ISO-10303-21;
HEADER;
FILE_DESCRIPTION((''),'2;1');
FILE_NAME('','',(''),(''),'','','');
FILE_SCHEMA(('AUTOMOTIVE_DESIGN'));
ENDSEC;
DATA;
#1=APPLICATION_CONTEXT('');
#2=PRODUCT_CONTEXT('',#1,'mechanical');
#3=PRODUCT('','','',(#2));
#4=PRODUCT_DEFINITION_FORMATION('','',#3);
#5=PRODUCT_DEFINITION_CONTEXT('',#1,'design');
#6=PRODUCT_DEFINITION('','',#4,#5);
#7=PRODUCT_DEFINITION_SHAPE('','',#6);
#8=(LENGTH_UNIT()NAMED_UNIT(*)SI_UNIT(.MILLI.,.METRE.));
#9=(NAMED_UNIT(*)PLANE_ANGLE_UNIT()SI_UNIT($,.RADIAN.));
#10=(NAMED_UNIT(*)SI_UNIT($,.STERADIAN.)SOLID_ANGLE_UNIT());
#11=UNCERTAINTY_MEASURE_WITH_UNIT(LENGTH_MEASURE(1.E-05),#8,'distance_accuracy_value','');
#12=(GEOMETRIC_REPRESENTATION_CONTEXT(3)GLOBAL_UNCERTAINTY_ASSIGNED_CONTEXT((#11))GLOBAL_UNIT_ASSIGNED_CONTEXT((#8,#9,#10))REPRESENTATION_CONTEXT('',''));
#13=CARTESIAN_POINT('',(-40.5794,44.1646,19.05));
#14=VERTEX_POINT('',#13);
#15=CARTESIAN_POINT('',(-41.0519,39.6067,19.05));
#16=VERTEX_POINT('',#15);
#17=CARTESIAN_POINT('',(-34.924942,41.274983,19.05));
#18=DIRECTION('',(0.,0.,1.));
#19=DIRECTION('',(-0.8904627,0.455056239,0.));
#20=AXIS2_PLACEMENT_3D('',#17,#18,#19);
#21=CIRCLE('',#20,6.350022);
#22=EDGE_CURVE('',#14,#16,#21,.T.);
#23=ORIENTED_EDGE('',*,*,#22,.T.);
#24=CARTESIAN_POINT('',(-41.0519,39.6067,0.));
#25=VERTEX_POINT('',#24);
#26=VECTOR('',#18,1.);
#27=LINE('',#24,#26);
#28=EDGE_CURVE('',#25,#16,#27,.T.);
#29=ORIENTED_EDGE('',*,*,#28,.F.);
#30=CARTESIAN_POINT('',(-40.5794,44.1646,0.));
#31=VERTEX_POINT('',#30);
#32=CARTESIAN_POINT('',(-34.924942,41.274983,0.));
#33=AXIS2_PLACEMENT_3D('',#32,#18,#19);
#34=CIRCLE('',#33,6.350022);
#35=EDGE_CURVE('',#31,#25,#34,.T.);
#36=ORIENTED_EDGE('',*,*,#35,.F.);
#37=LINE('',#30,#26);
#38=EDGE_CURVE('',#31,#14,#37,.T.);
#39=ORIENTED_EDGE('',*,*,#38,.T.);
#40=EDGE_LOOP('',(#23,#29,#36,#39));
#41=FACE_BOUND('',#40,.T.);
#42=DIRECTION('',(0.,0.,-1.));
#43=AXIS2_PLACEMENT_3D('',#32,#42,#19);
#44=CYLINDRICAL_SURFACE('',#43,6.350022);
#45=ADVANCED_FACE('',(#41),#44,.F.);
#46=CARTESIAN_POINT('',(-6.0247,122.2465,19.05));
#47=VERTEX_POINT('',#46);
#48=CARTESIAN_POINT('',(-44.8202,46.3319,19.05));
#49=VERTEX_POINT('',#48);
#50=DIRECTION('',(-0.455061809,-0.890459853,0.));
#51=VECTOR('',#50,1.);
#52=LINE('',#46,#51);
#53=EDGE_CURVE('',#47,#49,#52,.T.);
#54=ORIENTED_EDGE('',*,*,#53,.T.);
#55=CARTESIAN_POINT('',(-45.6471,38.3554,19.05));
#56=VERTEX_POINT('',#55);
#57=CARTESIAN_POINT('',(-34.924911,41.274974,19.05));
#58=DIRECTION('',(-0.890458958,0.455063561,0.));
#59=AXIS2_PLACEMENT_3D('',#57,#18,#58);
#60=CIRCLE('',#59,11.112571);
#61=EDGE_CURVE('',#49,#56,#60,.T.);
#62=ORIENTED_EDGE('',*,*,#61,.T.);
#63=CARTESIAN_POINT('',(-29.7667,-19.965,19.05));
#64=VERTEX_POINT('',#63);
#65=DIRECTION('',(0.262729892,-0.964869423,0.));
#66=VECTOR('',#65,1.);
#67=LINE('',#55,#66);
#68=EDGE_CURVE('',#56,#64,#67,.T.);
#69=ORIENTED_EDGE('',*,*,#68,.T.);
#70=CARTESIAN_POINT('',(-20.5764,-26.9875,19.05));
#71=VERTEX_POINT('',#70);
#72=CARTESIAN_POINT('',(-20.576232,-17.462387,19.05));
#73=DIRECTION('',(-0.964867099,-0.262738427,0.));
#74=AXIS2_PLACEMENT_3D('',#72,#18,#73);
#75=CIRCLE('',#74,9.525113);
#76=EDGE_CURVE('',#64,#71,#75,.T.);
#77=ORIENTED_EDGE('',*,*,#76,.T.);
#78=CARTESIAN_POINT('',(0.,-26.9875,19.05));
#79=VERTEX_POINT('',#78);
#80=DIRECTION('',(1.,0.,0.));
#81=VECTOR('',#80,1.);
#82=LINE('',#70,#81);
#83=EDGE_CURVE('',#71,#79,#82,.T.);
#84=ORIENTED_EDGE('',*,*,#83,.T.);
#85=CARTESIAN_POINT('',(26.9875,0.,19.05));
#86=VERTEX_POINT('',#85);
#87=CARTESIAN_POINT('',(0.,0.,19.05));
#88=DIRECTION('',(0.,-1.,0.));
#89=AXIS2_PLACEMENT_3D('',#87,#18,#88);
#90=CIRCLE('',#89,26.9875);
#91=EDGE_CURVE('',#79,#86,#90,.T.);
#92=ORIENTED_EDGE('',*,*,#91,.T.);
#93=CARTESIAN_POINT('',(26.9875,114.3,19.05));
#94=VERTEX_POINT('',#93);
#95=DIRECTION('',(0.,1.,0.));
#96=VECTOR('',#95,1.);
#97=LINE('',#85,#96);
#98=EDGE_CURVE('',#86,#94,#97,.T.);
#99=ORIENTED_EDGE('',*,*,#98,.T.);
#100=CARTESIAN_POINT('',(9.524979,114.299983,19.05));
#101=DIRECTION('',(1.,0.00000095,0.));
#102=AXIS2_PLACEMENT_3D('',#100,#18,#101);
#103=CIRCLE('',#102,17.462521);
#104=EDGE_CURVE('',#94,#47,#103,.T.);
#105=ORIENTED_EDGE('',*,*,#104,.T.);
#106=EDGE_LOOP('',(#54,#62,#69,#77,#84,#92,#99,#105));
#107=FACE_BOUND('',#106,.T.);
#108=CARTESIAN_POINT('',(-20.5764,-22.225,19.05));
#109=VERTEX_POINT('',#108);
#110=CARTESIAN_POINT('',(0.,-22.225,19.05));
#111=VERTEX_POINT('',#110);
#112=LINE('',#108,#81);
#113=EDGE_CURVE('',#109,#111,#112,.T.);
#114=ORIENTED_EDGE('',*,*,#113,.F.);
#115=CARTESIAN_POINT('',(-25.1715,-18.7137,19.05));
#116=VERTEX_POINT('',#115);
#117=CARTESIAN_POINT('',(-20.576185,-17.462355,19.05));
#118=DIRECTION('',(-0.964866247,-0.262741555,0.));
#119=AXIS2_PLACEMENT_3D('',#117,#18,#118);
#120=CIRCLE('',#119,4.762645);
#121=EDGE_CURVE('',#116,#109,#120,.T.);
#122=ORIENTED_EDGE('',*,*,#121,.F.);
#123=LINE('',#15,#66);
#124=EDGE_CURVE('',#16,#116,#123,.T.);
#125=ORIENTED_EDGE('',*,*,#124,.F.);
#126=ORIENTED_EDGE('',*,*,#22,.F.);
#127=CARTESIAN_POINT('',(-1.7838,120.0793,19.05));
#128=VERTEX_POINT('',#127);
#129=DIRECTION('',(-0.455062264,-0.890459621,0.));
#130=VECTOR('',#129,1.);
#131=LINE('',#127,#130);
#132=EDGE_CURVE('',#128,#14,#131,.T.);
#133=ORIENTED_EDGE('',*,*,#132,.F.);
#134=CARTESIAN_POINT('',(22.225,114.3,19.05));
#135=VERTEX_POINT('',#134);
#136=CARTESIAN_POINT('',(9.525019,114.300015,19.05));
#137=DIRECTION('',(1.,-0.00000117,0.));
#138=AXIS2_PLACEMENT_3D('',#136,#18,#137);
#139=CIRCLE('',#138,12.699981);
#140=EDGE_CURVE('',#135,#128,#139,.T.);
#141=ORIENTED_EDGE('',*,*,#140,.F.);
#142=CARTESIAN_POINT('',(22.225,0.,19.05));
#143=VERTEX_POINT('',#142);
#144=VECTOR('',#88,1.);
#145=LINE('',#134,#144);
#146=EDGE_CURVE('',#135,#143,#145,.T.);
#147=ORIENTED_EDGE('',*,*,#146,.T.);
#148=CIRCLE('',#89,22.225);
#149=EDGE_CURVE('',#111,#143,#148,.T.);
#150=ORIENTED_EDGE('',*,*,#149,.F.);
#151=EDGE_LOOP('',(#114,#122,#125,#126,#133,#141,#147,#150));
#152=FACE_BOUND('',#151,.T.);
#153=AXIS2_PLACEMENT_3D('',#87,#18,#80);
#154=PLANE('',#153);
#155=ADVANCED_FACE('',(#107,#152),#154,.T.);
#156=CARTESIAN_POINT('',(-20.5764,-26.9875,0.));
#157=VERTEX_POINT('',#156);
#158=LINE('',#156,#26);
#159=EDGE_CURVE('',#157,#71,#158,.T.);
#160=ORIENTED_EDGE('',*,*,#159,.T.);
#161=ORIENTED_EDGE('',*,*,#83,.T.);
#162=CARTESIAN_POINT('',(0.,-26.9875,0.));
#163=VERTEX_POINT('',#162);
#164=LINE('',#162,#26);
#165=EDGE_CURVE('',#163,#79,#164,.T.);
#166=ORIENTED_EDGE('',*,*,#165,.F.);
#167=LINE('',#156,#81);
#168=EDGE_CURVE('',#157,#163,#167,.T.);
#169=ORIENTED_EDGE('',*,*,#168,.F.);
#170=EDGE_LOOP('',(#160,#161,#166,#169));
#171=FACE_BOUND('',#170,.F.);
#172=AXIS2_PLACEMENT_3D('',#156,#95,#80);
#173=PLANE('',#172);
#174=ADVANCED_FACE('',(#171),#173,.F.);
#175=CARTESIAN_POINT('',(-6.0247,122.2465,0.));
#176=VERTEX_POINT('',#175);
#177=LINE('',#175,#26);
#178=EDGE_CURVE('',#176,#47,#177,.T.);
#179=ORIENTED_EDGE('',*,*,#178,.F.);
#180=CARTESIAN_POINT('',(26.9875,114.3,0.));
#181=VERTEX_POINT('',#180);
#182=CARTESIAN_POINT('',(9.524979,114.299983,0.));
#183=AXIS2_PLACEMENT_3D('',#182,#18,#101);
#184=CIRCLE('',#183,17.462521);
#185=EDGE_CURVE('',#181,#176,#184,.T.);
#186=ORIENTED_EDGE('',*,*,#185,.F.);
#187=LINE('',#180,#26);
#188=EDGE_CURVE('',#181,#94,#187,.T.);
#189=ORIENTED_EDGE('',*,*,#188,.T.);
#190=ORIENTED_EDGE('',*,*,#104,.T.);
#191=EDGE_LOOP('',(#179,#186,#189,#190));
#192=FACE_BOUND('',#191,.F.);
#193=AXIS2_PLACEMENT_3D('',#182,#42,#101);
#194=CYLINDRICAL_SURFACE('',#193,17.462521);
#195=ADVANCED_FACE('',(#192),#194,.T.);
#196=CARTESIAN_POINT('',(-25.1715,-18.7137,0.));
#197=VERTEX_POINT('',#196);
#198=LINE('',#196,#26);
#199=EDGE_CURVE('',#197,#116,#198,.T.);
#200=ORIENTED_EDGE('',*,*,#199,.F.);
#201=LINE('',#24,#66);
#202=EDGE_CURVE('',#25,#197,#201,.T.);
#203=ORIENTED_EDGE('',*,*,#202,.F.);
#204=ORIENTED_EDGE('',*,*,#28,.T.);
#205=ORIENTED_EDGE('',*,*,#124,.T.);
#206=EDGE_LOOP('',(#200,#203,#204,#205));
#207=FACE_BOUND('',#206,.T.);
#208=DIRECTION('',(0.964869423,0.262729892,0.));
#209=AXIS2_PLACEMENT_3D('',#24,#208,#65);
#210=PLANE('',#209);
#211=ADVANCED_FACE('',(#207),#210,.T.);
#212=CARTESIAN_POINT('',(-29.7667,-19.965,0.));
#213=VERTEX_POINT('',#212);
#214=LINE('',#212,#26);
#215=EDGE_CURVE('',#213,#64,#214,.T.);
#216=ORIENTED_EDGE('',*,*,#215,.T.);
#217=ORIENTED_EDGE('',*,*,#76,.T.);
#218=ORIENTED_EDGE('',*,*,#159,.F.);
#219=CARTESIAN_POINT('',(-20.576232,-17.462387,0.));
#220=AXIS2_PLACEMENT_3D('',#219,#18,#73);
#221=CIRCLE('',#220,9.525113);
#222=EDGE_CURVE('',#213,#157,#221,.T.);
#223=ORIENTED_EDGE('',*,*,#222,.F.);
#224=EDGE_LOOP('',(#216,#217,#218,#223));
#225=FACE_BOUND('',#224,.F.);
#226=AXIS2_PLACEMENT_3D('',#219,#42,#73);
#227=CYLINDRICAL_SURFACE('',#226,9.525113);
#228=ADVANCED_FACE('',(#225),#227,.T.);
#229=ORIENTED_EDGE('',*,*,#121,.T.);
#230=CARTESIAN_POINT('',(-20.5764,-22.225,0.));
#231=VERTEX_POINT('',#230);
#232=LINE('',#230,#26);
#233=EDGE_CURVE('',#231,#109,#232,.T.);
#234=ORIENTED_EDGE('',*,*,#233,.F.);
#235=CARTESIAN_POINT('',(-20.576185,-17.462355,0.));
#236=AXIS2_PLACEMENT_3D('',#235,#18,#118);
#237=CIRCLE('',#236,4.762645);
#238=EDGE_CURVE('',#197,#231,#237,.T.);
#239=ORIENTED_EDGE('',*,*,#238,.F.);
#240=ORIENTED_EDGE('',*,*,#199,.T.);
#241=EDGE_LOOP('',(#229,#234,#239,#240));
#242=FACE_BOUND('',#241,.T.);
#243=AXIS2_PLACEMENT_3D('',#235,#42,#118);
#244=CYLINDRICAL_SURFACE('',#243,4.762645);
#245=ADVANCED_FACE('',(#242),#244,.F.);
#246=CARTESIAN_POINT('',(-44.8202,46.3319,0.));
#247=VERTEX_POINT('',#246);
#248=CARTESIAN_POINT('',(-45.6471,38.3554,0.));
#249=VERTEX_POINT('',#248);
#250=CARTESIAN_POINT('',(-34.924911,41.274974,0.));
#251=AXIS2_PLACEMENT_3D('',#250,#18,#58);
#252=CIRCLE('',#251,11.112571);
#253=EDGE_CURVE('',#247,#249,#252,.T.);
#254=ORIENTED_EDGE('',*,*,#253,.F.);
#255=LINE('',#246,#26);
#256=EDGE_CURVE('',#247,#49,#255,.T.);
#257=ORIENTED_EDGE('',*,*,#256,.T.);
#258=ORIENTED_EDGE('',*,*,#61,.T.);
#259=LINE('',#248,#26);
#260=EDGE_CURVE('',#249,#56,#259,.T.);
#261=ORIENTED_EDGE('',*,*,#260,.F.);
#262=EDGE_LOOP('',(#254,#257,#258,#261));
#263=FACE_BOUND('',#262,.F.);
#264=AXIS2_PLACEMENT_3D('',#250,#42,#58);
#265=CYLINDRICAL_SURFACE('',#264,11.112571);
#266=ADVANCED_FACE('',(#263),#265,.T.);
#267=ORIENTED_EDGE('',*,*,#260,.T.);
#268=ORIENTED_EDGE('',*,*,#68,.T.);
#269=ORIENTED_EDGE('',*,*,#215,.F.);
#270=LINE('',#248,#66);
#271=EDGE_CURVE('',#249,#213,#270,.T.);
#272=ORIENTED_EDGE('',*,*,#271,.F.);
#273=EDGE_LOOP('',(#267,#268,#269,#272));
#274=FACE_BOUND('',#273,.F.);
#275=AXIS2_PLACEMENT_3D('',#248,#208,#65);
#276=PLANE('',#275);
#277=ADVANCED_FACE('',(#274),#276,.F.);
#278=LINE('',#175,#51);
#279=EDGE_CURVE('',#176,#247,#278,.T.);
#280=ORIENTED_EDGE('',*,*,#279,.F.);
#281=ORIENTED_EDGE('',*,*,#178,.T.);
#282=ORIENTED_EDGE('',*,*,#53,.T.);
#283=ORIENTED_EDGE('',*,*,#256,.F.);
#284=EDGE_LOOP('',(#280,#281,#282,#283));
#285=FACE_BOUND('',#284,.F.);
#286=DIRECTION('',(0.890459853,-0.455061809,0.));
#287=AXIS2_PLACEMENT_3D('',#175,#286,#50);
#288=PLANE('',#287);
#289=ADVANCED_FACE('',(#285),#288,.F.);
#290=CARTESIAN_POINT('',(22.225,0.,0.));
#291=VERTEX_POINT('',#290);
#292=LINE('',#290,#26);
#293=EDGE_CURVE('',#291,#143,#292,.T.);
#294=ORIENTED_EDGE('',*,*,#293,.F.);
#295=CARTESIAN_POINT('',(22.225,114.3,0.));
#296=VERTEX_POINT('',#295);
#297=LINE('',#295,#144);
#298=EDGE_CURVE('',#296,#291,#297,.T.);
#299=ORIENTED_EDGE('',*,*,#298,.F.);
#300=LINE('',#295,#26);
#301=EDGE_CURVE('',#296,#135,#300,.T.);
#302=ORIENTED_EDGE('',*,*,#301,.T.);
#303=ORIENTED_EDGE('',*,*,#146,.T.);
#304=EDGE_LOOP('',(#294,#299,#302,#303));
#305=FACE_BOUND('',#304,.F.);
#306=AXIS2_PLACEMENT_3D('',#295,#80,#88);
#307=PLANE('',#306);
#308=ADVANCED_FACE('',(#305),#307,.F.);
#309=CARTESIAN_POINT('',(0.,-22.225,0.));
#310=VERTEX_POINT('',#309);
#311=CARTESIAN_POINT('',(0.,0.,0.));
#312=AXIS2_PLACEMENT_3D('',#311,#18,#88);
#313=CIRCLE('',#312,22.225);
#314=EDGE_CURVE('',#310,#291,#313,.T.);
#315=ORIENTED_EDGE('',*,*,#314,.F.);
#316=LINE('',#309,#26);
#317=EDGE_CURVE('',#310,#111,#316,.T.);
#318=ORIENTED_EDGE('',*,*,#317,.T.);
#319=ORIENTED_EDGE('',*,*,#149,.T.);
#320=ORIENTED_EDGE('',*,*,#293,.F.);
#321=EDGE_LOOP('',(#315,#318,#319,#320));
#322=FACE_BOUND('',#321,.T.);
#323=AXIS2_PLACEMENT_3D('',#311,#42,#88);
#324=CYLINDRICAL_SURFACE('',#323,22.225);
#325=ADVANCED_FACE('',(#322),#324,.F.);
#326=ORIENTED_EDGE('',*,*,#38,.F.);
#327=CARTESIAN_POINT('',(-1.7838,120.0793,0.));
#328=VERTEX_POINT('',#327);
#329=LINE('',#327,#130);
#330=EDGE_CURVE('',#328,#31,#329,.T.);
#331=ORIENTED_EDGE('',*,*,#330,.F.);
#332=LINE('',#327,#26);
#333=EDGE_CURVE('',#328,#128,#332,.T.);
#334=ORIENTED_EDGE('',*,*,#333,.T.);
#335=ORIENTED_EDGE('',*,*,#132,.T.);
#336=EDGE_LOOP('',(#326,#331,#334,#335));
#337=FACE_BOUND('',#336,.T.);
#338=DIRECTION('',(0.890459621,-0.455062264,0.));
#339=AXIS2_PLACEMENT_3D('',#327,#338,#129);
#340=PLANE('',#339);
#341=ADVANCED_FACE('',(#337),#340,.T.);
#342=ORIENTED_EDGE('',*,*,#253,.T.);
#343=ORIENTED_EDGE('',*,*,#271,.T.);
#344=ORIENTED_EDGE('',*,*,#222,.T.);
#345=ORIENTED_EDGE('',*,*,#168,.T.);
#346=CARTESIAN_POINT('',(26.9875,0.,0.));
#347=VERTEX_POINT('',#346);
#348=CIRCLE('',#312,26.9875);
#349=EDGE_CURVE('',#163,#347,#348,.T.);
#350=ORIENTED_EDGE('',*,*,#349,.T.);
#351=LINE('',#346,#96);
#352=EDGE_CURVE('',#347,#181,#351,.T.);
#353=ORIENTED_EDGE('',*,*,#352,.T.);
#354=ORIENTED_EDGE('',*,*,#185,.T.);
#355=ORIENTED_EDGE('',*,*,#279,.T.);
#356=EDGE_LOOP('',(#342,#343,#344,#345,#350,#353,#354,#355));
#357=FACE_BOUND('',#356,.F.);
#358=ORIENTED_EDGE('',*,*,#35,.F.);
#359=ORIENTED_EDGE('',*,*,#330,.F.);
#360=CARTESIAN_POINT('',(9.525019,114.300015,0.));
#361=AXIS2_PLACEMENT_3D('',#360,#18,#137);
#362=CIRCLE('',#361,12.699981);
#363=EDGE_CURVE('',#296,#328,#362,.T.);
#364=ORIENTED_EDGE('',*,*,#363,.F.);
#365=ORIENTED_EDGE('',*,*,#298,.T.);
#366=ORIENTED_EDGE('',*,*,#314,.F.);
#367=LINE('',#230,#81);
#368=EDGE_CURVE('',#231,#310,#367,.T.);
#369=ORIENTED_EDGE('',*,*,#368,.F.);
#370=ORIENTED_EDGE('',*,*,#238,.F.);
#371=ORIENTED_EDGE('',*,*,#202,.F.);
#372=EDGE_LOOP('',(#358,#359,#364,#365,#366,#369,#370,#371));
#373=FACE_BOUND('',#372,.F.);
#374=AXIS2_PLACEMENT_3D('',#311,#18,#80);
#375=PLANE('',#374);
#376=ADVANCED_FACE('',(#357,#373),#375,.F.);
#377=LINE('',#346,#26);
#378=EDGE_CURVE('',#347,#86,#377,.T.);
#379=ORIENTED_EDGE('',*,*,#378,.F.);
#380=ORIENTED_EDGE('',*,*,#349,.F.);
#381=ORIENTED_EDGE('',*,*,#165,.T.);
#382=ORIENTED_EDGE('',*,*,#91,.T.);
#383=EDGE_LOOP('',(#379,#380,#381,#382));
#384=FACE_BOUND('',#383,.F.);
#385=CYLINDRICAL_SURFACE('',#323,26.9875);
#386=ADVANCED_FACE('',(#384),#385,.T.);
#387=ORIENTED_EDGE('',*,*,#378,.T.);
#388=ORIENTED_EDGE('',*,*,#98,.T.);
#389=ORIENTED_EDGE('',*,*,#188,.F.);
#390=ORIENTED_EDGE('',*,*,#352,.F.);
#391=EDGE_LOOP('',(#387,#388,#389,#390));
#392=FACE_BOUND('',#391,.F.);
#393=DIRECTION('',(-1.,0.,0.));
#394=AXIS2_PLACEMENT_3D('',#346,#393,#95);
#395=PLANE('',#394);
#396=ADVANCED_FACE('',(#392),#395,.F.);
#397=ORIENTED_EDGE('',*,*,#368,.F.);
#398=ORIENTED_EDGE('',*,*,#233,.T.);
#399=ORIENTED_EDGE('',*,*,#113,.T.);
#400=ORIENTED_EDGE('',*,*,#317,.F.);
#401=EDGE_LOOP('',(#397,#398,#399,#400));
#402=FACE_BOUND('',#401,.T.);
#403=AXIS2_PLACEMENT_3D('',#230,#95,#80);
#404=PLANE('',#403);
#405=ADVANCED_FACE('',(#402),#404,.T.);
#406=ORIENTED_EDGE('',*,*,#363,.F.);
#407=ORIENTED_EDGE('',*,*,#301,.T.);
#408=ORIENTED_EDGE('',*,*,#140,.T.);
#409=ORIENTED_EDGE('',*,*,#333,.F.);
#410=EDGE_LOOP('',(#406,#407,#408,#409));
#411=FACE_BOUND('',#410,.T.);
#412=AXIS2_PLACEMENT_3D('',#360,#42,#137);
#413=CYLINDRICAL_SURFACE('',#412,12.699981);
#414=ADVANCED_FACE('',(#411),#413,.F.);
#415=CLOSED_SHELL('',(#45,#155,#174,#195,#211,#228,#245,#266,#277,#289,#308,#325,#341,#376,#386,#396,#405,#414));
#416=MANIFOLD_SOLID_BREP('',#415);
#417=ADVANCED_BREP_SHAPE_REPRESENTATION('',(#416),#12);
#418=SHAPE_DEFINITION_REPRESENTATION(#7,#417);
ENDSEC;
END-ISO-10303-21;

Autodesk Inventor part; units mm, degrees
ref_plane "YZ Plane" through (0, 0, 0) normal (1, 0, 0) x (0, 1, 0)
ref_plane "XZ Plane" through (0, 0, 0) normal (0, 1, 0) x (-1, 0, 0)
ref_plane "XY Plane" through (0, 0, 0) normal (0, 0, 1) x (1, 0, 0)
sketch "Sketch1" plane through (0, 0, 0) normal (0, 0, 1) x (1, 0, 0)
  arc A0 (0, -22.225) -> (22.225, 0) centre (0, 0) ccw
  arc A1 (22.225, 114.3) -> (-1.7838, 120.0793) centre (9.525, 114.3) ccw
  line L0 (22.225, 114.3) -> (22.225, 0)
  arc A2 (-40.5794, 44.1646) -> (-41.0519, 39.6067) centre (-34.925, 41.275) ccw
  line L1 (-1.7838, 120.0793) -> (-40.5794, 44.1646)
  arc A3 (-25.1715, -18.7137) -> (-20.5764, -22.225) centre (-20.5764, -17.4625) ccw
  line L2 (-20.5764, -22.225) -> (0, -22.225)
  line L3 (-41.0519, 39.6067) -> (-25.1715, -18.7137)
  arc A4 (-29.7667, -19.965) -> (-20.5764, -26.9875) centre (-20.5764, -17.4625) ccw
  line L4 (-20.5764, -26.9875) -> (0, -26.9875)
  arc A5 (0, -26.9875) -> (26.9875, 0) centre (0, 0) ccw
  line L5 (26.9875, 0) -> (26.9875, 114.3)
  arc A6 (26.9875, 114.3) -> (-6.0247, 122.2465) centre (9.525, 114.3) ccw
  line L6 (-6.0247, 122.2465) -> (-44.8202, 46.3319)
  arc A7 (-44.8202, 46.3319) -> (-45.6471, 38.3554) centre (-34.925, 41.275) ccw
  line L7 (-45.6471, 38.3554) -> (-29.7667, -19.965)
  dimension "d0" = 44.45
  dimension "d1" = 25.4
  dimension "d2" = 114.3
  dimension "d3" = 12.7
  dimension "d4" = 41.275
  dimension "d5" = 34.925
  dimension "d6" = 9.525
  dimension "d7" = 4.7625
extrude "Extrusion1" add sketch "Sketch1" along normal blind 19.05
properties part number "Temp Tread" material "Rubber, Silicone"
